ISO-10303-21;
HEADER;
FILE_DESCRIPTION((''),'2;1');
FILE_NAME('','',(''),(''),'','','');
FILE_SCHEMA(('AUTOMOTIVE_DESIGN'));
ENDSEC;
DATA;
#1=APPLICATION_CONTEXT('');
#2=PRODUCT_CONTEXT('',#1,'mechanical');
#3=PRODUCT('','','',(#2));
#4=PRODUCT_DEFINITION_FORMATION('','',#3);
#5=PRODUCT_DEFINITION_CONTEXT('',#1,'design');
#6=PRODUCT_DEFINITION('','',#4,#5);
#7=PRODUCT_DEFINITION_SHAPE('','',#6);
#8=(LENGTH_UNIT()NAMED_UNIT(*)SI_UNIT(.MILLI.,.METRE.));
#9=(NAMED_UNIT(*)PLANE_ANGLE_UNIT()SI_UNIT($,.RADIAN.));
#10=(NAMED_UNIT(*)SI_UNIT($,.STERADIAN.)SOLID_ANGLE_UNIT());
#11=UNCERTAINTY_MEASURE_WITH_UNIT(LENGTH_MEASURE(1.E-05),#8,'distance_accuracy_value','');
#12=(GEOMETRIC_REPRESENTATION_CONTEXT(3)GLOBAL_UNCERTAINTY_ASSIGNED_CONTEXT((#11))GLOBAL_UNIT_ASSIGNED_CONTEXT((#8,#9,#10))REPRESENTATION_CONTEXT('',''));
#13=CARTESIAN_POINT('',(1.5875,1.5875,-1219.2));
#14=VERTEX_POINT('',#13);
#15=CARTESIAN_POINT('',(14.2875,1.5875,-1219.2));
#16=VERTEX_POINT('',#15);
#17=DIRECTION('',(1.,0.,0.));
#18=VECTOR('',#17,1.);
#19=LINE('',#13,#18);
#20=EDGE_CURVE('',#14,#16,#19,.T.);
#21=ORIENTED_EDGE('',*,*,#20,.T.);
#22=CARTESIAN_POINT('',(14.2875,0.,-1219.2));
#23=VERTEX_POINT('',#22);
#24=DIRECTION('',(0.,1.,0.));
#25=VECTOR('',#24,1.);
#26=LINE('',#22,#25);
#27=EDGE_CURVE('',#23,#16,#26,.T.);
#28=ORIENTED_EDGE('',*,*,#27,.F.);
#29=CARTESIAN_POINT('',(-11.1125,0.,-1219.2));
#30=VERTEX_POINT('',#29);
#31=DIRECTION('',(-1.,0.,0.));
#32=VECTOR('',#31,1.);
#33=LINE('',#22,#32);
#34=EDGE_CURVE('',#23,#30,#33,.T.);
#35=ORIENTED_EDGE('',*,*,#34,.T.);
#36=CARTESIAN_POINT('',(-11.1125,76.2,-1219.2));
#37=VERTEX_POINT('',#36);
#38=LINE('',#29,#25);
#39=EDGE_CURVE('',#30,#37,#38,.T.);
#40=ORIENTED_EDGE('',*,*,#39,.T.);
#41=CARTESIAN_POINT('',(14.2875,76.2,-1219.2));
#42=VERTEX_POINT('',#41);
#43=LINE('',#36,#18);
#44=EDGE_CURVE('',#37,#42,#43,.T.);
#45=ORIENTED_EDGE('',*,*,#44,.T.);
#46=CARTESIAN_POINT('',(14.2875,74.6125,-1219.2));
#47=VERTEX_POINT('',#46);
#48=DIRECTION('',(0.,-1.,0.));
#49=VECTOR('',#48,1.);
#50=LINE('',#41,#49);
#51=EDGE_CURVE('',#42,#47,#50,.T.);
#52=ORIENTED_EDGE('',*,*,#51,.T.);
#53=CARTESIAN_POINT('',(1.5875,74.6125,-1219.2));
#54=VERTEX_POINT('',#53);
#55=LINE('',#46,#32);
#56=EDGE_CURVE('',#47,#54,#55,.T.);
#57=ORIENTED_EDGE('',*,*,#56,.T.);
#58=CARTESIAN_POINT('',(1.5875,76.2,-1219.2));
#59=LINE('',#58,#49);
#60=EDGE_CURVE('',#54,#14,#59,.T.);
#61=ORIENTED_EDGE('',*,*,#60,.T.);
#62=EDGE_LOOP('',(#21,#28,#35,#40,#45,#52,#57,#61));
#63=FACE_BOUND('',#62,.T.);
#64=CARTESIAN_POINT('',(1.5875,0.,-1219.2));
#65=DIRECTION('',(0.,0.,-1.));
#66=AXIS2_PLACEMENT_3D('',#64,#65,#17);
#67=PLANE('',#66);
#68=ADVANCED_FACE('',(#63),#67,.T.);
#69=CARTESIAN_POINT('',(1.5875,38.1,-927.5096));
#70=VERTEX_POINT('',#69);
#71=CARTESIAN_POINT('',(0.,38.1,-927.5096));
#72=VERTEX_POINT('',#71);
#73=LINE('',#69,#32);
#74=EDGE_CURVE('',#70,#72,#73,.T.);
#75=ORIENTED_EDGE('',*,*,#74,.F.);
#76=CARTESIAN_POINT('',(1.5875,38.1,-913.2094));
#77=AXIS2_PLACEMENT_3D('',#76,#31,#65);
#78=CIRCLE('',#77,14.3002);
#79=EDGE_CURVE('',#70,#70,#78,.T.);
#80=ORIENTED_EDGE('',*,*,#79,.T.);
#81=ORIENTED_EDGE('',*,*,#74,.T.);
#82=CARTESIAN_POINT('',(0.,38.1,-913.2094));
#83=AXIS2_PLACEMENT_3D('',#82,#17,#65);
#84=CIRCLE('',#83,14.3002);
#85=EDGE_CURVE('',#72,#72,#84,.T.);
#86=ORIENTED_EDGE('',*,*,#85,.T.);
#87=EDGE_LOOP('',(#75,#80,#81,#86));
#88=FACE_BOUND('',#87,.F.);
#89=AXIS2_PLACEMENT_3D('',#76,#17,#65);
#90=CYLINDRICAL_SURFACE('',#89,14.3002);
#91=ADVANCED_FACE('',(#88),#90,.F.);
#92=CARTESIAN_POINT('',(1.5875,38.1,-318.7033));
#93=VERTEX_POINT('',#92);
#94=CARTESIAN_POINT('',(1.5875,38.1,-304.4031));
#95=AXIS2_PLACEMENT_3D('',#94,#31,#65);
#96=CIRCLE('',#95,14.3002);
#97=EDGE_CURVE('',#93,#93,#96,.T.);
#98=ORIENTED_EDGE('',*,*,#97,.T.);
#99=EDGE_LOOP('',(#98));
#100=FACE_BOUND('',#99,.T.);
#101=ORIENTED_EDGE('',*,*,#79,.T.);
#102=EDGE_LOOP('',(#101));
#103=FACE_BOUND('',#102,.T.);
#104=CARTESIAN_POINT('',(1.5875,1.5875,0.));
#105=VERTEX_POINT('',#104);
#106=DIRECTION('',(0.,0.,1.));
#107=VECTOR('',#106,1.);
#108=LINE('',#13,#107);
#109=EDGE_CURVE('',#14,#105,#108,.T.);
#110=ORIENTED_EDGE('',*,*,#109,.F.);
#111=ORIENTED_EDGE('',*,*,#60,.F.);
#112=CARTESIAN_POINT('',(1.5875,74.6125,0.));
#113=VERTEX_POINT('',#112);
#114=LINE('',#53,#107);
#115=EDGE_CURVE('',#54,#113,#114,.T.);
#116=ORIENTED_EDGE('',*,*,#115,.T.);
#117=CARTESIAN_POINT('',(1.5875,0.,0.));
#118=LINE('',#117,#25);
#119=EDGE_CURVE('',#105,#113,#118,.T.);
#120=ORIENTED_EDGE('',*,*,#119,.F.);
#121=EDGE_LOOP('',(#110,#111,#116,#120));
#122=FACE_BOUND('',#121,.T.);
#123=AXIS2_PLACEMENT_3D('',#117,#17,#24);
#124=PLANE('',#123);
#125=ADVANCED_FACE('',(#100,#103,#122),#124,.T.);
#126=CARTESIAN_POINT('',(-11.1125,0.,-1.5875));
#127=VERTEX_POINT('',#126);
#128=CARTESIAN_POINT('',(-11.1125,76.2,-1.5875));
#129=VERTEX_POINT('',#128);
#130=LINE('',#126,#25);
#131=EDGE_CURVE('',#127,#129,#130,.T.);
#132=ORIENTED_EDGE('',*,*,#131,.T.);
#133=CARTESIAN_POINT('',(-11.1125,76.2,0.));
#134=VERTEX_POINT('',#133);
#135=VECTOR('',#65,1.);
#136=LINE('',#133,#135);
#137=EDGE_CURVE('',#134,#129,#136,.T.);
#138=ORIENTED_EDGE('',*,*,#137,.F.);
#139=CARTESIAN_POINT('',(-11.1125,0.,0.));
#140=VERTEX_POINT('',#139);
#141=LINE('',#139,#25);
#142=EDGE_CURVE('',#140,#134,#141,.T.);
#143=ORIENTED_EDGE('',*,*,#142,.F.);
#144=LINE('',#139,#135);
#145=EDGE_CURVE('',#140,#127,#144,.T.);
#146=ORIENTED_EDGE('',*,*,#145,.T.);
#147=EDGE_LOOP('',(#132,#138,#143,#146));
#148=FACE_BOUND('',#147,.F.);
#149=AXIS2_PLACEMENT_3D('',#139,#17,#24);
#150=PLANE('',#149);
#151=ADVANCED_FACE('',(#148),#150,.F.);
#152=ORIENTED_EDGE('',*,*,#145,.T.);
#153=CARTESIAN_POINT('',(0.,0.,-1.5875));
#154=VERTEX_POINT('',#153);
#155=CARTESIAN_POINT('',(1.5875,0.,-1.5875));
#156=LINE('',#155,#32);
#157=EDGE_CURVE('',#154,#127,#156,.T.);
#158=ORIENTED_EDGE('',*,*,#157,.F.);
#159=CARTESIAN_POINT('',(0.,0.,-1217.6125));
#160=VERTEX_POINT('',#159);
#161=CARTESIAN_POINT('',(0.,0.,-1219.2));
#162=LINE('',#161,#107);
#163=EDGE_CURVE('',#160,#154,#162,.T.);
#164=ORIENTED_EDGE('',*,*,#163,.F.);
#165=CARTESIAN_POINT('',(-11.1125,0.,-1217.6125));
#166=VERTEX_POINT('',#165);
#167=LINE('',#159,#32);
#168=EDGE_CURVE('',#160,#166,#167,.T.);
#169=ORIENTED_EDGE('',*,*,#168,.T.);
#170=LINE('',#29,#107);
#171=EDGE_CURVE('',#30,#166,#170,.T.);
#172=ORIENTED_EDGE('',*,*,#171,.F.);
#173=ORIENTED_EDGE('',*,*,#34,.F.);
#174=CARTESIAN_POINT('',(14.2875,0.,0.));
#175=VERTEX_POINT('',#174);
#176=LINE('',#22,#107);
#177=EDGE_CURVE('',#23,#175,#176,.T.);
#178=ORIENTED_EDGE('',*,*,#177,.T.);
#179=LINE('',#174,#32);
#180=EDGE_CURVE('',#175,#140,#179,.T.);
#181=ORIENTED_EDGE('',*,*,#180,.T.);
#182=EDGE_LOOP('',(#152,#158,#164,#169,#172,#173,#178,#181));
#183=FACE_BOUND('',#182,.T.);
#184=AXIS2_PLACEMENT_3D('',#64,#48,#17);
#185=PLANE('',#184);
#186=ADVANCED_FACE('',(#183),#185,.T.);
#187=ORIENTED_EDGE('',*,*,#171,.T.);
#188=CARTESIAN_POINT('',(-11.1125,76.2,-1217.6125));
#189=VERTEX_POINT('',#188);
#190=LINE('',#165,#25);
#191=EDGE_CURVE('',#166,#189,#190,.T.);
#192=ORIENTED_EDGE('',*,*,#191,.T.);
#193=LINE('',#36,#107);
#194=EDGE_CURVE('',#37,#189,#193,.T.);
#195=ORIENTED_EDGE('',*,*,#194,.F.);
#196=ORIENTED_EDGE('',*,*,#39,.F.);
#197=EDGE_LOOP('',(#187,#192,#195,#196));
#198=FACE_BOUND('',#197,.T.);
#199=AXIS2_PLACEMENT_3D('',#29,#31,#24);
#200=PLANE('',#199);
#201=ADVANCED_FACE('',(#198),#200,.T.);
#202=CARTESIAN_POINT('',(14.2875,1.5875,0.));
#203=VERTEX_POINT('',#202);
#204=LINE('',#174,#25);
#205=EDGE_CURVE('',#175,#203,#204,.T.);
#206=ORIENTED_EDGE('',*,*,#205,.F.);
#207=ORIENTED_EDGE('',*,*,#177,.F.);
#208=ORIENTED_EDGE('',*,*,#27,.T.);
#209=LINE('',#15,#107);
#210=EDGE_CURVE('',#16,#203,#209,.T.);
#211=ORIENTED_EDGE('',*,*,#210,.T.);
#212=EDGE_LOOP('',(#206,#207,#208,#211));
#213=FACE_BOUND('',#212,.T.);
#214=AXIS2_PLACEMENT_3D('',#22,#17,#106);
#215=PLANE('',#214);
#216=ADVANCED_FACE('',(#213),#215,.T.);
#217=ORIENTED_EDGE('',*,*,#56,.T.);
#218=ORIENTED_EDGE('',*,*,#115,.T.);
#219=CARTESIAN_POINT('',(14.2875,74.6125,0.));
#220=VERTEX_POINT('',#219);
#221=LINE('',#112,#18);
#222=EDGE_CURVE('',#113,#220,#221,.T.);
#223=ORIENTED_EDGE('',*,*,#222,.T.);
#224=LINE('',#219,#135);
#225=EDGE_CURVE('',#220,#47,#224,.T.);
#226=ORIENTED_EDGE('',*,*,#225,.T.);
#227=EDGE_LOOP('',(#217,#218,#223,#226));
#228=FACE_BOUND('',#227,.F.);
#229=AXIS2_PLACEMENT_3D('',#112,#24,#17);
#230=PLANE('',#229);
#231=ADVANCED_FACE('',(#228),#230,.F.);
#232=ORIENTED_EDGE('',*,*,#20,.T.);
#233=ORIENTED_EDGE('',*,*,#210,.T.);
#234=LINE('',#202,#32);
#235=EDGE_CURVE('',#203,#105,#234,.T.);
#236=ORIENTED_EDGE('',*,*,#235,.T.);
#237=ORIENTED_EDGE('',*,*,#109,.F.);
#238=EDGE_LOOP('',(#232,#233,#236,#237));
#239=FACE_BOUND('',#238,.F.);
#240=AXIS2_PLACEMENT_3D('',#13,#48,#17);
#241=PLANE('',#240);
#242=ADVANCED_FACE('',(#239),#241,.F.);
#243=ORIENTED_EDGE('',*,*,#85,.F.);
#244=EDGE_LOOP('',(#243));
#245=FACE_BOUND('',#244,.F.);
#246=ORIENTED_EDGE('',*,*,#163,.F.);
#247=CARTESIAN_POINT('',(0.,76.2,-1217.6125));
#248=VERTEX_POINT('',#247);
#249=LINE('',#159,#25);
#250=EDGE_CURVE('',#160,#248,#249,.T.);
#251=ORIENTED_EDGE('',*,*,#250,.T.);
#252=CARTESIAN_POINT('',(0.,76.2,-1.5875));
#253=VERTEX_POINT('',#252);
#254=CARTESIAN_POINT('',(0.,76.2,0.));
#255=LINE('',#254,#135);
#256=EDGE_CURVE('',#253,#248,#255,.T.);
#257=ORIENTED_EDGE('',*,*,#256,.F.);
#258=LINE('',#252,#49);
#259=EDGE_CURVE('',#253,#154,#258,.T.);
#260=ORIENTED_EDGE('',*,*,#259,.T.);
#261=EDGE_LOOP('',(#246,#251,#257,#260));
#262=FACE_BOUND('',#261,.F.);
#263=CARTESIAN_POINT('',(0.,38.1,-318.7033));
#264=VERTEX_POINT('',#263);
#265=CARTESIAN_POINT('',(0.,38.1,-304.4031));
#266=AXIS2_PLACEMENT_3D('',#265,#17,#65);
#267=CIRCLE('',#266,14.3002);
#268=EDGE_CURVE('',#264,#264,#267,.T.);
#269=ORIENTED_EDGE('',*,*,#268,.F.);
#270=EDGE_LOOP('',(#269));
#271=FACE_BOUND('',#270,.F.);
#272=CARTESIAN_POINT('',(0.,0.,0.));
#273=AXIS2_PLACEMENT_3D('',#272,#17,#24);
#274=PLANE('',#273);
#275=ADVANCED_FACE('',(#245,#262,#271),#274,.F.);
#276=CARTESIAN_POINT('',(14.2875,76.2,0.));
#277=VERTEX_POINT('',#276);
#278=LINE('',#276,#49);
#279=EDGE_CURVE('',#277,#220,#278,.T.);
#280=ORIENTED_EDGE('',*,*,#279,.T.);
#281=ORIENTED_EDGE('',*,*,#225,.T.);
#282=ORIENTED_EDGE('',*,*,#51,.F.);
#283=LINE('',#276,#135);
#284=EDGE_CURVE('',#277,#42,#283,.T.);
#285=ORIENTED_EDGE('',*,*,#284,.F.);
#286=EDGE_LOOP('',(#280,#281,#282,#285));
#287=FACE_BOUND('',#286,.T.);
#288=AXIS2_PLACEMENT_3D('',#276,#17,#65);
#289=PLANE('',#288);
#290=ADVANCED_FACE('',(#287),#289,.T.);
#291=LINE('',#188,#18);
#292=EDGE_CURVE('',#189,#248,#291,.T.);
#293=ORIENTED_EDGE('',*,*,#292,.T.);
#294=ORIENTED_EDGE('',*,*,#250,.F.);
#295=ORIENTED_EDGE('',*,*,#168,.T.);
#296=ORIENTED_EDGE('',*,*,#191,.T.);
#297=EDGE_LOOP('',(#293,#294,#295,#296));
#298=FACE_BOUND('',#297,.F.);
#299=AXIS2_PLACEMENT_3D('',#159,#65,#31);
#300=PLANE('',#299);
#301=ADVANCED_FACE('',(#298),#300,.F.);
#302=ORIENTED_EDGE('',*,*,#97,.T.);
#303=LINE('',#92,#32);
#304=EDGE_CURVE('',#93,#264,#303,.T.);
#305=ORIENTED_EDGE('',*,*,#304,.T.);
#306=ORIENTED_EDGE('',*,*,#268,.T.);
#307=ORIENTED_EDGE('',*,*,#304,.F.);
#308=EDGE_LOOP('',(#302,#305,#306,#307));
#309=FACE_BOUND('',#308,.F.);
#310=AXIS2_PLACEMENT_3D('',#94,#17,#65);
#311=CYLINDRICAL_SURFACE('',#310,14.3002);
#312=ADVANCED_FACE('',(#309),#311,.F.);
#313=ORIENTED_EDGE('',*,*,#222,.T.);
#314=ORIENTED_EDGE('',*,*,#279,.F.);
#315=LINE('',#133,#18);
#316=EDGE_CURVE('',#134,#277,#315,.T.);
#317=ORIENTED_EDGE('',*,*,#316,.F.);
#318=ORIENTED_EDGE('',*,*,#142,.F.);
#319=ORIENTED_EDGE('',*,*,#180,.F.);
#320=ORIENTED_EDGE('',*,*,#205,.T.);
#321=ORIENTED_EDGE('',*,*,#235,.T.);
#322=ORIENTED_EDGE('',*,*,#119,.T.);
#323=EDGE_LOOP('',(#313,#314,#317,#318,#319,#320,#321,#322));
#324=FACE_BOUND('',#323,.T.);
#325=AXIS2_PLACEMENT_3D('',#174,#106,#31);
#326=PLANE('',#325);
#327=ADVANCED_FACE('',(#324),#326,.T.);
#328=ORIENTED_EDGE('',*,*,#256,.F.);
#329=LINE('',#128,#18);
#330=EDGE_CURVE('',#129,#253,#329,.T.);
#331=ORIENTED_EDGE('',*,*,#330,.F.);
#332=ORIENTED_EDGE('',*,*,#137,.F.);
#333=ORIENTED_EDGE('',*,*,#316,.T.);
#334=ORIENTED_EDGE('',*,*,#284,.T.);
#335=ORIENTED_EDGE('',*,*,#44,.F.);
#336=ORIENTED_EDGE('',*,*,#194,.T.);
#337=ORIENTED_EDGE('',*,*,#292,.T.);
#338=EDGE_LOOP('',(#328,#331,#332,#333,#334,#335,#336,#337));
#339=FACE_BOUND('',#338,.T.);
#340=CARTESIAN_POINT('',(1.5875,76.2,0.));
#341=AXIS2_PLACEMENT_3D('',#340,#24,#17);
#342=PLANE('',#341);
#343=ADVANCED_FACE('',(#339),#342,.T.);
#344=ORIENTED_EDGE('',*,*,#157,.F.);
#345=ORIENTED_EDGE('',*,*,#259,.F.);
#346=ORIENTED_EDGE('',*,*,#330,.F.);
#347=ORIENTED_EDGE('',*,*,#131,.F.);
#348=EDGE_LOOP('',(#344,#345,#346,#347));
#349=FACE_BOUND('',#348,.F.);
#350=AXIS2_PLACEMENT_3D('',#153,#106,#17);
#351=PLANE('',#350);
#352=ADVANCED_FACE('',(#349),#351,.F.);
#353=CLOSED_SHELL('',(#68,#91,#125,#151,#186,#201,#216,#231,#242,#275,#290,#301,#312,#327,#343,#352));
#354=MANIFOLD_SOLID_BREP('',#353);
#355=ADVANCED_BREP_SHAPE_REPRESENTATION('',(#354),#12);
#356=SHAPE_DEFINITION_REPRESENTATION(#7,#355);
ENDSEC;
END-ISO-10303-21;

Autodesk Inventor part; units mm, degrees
ref_plane "YZ Plane" through (0, 0, 0) normal (1, 0, 0) x (0, 1, 0)
ref_plane "XZ Plane" through (0, 0, 0) normal (0, 1, 0) x (-1, 0, 0)
ref_plane "XY Plane" through (0, 0, 0) normal (0, 0, 1) x (1, 0, 0)
sketch "Sketch1" plane through (0, 0, 0) normal (1, 0, 0) x (0, 1, 0)
  line L0 (0, 0) -> (76.2, 0)
  line L1 (76.2, 0) -> (76.2, -1219.2)
  line L2 (76.2, -1219.2) -> (0, -1219.2)
  line L3 (0, -1219.2) -> (0, 0)
  dimension "d0" = 76.2
  dimension "d1" = 1219.2
extrude "Extrusion1" add sketch "Sketch1" along normal blind 1.5875
sketch "Sketch2" plane through (0, 0, 0) normal (0, 0, 1) x (1, 0, 0)
  line L0 (0, 76.2) -> (0, 0) projected
  line L1 (0, 0) -> (1.5875, 0) projected
  line L2 (1.5875, 76.2) -> (1.5875, 0) projected
  line L3 (0, 76.2) -> (1.5875, 76.2) projected
  line L4 (1.5875, 0) -> (-11.1125, 0)
  line L5 (-11.1125, 0) -> (-11.1125, 76.2)
  line L6 (-11.1125, 76.2) -> (1.5875, 76.2)
  line L7 (1.5875, 76.2) -> (1.5875, 0)
  dimension "d4" = 12.7
extrude "Extrusion2" add sketch "Sketch2" against normal blind 1.5875 contours L0 L4 L5 L6
sketch "Sketch3" plane through (0, 0, -1219.2) normal (0, 0, -1) x (-1, 0, 0)
  line L0 (0, 0) -> (11.1125, 0) projected
  line L1 (11.1125, 0) -> (11.1125, 76.2) projected
  line L2 (11.1125, 76.2) -> (0, 76.2) projected
  line L3 (0, 0) -> (0, 76.2) projected
extrude "Extrusion3" add sketch "Sketch3" against normal blind 1.5875
sketch "Sketch5" plane through (1.5875, 76.2, 0) normal (0, 1, 0) x (1, 0, 0)
  line L0 (-1.5875, 1217.6125) -> (-1.5875, 1.5875) projected
  line L1 (-12.7, 1.5875) -> (-1.5875, 1.5875) projected
  line L2 (-12.7, 0) -> (-12.7, 1.5875) projected
  line L3 (-12.7, 0) -> (0, 0) projected
  line L4 (0, 1219.2) -> (0, 0) projected
  line L5 (-12.7, 1219.2) -> (0, 1219.2) projected
  line L6 (-12.7, 1219.2) -> (-12.7, 1217.6125) projected
  line L7 (-1.5875, 1217.6125) -> (-12.7, 1217.6125) projected
  line L8 (0, 0) -> (12.7, 0)
  line L9 (12.7, 0) -> (12.7, 1219.2)
  line L10 (12.7, 1219.2) -> (0, 1219.2)
  line L11 (0, 1219.2) -> (0, 0)
  point P0 (-1.5875, 0)
  dimension "d13" = 12.7
extrude "Extrusion4" add sketch "Sketch5" against normal blind 1.5875 contours L10 L9 L8 L4
sketch "Sketch6" plane through (1.5875, 0, -1219.2) normal (0, -1, 0) x (1, 0, 0)
  line L0 (12.7, 0) -> (12.7, 1219.2) projected
  line L1 (12.7, 1219.2) -> (0, 1219.2) projected
  line L2 (0, 0) -> (0, 1219.2) projected
  line L3 (0, 0) -> (12.7, 0) projected
  point P0 (-1.5875, 1219.2)
extrude "Extrusion5" add sketch "Sketch6" against normal blind 1.5875
sketch "Sketch7" plane through (1.5875, 0, 0) normal (1, 0, 0) x (0, 0, -1)
  line L0 (0, 1.5875) -> (1219.2, 1.5875) projected
  line L1 (1219.2, 1.5875) -> (1219.2, 74.6125) projected
  line L2 (1219.2, 74.6125) -> (0, 74.6125) projected
  line L3 (0, 74.6125) -> (0, 1.5875) projected
  line L4 (0, 38.1) -> (1217.6125, 38.1)
  line L5 (1217.6125, 76.2) -> (1217.6125, 0) projected
  line L6 (608.8062, 38.1) -> (608.8062, 66.0202)
  line L7 (608.8062, 66.0202) -> (0, 66.0202)
  line L8 (304.4031, 66.0202) -> (304.4031, 38.1)
  circle A0 centre (304.4031, 38.1) radius 14.3002
  circle A1 centre (608.8062, 38.1) radius 14.3002
  circle A2 centre (913.2094, 38.1) radius 14.3002
  point P0 (0, 0)
  dimension "d18" = 28.6004
  dimension "d19" = 28.6004
extrude "Extrusion6" cut sketch "Sketch7" against normal blind 25.4 contours A0 L8 L4 | L4 A0 | A2 L4 | L4 A2 | L8 A0 L4
properties part number "Chassis SideV1"
